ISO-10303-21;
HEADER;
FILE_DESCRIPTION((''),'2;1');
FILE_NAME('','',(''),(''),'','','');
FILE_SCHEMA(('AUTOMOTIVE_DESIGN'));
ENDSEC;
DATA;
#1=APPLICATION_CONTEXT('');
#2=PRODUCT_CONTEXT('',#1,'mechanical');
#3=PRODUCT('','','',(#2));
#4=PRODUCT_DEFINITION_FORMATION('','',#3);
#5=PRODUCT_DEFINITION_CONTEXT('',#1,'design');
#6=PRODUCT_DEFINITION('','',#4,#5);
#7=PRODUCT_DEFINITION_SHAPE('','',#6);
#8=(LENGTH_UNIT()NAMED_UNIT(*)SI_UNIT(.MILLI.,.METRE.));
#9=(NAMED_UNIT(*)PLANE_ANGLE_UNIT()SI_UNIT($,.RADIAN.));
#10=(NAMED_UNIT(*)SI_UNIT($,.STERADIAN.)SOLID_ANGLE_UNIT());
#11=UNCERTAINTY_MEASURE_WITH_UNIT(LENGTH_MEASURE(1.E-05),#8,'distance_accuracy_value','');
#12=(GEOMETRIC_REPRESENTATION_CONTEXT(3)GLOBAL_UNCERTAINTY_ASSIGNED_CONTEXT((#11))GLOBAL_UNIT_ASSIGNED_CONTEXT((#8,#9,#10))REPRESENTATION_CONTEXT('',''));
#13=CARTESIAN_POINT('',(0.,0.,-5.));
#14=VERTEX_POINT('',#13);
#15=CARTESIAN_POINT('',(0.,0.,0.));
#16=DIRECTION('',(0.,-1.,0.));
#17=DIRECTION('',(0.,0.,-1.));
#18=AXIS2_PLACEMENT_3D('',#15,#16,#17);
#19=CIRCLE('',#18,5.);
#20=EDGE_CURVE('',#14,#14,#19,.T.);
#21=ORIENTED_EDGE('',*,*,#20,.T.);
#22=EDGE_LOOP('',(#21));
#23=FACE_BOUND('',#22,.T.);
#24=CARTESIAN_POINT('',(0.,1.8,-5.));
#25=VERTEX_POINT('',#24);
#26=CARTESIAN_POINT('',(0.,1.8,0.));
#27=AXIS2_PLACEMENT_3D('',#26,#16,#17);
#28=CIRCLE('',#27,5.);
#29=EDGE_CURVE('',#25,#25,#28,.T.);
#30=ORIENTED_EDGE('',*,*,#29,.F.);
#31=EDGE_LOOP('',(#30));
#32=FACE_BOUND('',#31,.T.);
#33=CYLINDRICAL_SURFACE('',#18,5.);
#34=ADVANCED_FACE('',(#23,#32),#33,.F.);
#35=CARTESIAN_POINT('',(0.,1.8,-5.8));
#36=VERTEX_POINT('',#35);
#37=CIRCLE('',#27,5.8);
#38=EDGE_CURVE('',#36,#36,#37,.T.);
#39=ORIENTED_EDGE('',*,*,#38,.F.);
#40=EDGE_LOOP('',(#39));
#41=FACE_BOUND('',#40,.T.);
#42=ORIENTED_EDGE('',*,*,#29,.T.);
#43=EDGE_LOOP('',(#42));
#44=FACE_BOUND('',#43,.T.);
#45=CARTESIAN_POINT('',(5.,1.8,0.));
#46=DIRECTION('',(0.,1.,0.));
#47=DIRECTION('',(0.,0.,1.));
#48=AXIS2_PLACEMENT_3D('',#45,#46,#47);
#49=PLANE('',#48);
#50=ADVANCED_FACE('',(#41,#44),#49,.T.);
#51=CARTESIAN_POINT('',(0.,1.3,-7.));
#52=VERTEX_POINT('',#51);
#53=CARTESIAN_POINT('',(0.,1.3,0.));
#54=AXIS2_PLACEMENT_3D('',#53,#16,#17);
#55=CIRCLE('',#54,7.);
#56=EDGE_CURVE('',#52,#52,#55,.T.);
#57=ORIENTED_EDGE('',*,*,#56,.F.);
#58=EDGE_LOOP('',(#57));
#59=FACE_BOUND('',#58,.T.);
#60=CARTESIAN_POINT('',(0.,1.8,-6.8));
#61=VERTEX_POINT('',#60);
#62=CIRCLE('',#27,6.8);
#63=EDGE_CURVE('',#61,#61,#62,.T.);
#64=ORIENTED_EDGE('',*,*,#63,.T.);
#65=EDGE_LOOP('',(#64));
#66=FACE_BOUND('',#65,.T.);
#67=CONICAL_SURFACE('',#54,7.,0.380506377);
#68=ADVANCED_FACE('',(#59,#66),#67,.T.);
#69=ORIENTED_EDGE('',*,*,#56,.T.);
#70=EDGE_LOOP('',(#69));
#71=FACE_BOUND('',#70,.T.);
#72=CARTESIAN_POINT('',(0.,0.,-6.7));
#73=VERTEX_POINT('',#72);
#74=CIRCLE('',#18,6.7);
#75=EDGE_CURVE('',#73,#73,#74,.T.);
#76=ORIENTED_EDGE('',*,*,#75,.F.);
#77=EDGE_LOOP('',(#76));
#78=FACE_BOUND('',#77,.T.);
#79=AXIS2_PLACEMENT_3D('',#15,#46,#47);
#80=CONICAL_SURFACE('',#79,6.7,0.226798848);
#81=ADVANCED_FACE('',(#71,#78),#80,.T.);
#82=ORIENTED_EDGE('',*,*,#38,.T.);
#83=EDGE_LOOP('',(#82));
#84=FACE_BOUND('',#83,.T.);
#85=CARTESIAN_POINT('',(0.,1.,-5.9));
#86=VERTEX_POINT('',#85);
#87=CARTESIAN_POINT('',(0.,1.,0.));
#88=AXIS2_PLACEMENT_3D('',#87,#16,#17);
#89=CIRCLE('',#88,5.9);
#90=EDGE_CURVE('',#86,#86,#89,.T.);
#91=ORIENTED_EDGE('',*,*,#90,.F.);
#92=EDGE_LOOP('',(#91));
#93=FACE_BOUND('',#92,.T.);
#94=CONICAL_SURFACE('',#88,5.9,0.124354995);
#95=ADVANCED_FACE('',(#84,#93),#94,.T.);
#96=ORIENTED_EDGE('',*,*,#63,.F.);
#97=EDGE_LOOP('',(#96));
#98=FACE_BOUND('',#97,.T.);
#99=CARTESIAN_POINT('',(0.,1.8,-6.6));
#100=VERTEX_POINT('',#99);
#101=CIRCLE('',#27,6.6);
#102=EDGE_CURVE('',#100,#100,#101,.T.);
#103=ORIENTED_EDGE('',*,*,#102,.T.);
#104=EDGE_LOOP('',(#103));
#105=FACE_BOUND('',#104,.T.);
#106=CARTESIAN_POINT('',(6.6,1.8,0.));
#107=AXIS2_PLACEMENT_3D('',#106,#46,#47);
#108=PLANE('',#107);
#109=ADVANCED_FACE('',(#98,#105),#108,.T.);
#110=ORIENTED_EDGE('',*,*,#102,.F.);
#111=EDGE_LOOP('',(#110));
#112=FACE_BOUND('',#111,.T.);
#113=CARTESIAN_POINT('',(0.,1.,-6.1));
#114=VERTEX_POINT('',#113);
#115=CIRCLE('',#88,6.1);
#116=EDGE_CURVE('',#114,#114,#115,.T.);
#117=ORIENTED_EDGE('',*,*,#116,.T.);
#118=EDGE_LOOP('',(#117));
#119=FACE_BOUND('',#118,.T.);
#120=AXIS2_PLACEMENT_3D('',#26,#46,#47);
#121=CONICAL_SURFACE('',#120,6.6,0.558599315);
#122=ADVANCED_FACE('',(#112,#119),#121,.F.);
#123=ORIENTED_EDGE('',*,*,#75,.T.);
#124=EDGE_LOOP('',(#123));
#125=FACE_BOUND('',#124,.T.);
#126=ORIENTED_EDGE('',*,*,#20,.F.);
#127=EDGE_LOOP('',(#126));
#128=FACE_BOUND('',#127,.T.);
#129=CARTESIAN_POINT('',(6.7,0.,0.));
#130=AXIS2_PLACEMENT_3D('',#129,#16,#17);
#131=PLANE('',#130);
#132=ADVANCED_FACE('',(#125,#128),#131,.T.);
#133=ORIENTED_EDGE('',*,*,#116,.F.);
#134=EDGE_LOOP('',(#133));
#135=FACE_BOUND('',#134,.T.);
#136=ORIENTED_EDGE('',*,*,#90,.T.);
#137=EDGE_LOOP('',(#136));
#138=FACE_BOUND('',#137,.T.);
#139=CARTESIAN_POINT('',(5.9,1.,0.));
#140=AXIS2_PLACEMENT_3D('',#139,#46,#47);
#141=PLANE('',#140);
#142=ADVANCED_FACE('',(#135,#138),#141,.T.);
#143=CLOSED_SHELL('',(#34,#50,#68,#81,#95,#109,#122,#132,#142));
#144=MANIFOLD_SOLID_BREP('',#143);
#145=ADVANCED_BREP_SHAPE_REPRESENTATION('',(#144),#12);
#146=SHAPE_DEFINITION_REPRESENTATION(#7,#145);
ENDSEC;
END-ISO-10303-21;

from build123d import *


with BuildPart() as part:
    # SealProfileS → SealProfile (revolve)
    with BuildSketch(Plane.XY, mode=Mode.PRIVATE) as sealprofile_sk:
        Polygon((5, 0), (5, 1.8), (5.8, 1.8), (5.9, 1), (6.1, 1), (6.6, 1.8), (6.8, 1.8), (7, 1.3), (6.7, 0), align=None)
    revolve(sealprofile_sk.sketch.rotate(Axis((0, 0, 0), (0, 1, 0)), 90), axis=Axis((0, 0, 0), (0, 1, 0)))


solid = part.part
